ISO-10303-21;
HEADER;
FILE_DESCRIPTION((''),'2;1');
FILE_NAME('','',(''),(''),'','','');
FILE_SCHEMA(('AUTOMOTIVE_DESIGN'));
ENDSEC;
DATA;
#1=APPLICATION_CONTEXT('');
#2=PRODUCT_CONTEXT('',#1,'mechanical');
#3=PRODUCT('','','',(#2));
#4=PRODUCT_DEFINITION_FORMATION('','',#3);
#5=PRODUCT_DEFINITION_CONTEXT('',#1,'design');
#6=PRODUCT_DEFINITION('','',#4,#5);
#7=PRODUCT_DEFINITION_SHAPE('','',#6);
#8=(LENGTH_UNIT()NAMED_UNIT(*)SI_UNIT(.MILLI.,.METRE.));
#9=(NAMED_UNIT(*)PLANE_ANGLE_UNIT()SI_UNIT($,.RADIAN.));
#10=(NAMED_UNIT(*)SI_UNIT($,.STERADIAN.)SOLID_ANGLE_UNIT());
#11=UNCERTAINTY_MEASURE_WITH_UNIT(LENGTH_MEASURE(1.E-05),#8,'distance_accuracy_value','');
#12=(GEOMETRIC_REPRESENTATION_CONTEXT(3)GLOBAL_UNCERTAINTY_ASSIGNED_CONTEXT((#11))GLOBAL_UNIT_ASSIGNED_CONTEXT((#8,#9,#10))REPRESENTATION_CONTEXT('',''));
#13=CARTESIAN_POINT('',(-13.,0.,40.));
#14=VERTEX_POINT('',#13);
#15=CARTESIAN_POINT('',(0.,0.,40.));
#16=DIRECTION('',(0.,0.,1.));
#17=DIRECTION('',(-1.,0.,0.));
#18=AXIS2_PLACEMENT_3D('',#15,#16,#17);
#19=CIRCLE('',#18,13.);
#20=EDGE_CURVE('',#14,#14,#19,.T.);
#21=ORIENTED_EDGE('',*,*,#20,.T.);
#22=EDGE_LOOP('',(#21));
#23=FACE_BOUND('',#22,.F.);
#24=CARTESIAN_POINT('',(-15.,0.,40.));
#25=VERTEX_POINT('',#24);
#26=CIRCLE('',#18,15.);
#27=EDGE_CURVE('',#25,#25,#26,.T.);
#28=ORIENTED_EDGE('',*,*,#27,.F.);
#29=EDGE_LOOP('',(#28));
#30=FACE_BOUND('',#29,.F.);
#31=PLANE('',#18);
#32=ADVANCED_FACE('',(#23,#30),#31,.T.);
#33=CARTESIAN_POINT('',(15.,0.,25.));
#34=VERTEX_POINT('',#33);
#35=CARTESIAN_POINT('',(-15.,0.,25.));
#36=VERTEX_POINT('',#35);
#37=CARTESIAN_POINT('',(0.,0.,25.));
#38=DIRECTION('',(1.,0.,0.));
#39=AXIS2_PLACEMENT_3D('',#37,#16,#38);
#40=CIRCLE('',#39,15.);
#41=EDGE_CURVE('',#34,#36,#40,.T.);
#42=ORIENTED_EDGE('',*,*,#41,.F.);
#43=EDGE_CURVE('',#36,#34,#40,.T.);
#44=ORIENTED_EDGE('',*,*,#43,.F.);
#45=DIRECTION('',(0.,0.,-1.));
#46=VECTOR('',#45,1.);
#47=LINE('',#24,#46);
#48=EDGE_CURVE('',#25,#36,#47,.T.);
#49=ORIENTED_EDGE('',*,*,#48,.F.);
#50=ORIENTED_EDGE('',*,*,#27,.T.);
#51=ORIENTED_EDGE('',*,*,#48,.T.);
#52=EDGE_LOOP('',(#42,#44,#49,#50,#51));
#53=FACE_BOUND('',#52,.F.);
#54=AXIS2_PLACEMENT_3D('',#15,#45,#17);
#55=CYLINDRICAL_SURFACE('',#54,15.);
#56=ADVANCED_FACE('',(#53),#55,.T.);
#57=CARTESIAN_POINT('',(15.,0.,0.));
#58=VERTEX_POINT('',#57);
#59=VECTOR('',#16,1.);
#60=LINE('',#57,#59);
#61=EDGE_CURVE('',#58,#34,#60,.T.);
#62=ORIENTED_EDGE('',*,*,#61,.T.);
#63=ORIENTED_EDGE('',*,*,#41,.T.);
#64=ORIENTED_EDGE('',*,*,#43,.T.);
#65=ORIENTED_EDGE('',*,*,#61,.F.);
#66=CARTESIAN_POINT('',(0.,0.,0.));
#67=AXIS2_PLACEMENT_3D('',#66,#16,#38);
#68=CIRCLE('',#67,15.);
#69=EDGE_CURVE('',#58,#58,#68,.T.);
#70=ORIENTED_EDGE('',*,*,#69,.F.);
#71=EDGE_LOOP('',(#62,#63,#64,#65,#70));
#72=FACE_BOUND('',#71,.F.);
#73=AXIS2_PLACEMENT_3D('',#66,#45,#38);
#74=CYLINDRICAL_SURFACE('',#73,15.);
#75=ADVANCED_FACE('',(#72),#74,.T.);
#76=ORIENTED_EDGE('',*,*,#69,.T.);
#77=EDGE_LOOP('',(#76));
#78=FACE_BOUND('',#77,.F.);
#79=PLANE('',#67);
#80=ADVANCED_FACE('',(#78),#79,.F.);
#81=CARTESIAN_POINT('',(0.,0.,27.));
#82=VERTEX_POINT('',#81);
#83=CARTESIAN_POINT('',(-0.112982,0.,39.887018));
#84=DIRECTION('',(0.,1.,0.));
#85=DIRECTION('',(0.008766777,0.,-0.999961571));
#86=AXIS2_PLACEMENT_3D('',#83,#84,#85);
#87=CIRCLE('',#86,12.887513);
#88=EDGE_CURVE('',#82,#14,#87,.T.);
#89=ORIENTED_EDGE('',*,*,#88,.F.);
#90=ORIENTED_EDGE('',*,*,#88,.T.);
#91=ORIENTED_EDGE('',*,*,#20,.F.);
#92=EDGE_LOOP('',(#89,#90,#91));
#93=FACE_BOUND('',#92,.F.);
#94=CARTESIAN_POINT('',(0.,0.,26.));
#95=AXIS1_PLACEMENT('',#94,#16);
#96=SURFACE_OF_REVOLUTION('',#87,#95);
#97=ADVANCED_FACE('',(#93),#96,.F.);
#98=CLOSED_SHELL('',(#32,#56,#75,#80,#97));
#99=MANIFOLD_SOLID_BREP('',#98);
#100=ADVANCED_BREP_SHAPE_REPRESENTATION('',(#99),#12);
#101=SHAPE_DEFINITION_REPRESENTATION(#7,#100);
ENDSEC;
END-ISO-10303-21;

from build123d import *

# Parameters (mm, degrees)
F0_R     = 15
F1_DEPTH = 25


with BuildPart() as f1:
    # F0 (on Top) → F1 (new body)
    with BuildSketch(Plane.XY):
        Circle(F0_R)
    extrude(amount=F1_DEPTH)

    # F2 (on Front) → F3 (revolve)
    with BuildSketch(Plane.XZ):
        with BuildLine():
            Line((-15, 40), (-15, 25))
            Line((-15, 25), (0, 25))
            Line((0, 25), (0, 27))
            ThreePointArc((0, 27), (-9.22583, 30.77417), (-13, 40))
            Line((-13, 40), (-15, 40))
        make_face()
    revolve(axis=Axis((0, 0, 26), (0, 0, 1)))


solid = f1.part
